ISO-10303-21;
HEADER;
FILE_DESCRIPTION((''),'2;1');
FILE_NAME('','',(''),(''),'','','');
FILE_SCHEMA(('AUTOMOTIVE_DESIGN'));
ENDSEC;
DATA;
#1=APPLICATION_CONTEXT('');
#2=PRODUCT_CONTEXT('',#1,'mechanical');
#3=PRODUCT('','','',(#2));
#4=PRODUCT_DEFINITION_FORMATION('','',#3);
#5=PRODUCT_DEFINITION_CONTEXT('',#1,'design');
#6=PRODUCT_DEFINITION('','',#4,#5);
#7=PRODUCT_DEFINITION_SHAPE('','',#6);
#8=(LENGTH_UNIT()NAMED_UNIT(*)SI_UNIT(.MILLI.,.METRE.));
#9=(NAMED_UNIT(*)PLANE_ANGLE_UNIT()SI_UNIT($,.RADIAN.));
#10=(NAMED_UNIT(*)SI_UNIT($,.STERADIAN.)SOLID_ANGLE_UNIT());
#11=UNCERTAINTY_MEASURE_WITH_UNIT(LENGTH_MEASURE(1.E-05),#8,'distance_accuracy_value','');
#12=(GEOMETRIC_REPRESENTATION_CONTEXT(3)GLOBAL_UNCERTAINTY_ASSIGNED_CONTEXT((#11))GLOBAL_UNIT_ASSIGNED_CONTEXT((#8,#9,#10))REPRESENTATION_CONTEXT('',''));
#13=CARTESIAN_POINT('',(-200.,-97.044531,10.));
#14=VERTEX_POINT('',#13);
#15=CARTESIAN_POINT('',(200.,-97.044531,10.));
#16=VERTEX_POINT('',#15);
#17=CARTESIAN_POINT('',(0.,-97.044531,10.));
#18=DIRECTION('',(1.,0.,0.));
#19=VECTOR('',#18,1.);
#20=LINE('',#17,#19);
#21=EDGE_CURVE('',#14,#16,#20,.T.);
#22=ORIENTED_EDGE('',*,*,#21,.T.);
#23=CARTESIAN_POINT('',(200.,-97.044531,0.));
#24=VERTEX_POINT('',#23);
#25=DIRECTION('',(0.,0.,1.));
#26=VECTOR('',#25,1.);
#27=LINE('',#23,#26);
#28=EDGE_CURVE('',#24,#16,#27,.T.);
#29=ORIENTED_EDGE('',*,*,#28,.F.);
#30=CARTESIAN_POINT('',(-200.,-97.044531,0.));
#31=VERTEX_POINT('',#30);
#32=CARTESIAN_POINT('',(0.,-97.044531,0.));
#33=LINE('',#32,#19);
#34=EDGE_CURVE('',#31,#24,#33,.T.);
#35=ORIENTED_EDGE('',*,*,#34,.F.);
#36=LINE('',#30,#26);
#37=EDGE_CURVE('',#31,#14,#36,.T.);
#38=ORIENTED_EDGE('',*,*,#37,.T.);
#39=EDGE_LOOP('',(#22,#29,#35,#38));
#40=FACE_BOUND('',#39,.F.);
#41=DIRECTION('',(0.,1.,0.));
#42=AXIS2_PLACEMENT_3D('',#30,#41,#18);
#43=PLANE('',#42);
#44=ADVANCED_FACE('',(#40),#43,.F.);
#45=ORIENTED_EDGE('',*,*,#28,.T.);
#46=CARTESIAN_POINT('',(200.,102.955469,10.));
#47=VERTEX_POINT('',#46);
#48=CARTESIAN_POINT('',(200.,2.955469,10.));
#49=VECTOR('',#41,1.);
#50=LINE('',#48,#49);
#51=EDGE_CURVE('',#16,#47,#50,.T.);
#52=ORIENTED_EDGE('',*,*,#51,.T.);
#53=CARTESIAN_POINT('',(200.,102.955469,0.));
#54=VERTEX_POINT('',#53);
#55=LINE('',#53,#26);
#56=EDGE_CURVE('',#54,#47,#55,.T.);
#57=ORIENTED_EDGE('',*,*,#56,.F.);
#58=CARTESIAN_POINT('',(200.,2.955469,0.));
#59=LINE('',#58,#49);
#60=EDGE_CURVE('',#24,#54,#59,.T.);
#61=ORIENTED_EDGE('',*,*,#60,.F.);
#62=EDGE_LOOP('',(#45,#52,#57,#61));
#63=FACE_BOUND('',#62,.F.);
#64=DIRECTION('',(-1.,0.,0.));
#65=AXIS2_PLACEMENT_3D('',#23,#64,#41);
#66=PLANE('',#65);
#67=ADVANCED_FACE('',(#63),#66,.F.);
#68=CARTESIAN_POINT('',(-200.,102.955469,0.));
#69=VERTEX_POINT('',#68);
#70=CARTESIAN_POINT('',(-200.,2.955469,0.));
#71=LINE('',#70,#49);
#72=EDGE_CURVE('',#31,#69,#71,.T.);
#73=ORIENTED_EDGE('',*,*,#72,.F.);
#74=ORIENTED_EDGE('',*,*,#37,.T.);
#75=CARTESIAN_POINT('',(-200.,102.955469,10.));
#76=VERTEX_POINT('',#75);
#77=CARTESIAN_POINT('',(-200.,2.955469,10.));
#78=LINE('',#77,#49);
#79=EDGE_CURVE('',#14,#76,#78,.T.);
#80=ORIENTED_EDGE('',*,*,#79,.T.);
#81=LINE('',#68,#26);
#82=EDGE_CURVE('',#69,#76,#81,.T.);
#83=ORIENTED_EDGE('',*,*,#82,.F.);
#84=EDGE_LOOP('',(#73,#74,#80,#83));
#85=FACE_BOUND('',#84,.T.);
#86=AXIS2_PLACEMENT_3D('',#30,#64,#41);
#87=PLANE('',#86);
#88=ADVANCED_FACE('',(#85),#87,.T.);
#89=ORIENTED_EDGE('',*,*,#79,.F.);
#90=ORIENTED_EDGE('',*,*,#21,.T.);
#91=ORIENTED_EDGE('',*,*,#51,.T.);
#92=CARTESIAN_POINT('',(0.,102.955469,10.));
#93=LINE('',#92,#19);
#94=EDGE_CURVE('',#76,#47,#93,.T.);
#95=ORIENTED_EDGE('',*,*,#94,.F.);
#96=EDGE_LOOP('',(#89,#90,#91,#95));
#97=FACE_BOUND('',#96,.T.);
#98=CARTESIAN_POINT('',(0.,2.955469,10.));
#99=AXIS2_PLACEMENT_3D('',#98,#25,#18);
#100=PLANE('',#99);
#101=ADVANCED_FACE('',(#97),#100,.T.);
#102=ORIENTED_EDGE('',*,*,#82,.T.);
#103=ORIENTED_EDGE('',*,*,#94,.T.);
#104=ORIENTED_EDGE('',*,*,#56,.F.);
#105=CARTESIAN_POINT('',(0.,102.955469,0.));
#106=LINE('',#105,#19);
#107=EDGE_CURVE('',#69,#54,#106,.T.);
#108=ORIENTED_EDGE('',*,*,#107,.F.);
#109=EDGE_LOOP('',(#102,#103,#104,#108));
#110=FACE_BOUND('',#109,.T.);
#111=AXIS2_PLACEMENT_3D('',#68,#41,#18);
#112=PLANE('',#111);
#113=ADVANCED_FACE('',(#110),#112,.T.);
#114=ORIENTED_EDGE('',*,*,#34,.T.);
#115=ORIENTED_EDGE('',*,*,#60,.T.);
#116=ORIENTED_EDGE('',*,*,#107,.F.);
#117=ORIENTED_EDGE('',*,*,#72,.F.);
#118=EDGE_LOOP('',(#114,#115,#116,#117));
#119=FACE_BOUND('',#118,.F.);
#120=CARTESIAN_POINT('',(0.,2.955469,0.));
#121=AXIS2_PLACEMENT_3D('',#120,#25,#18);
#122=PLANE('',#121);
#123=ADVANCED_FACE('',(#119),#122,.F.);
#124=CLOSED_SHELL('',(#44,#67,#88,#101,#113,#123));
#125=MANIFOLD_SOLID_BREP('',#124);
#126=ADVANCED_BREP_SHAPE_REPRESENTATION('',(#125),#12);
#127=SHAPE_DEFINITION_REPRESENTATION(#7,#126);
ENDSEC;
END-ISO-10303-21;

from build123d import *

# Parameters (mm, degrees)
F0_W     = 400
F0_H     = 200
F1_DEPTH = 10


with BuildPart() as f1:
    # F0 (on Top) → F1 (new body)
    with BuildSketch(Plane.XY):
        with Locations((0, 1338.235289)):
            Rectangle(F0_W, F0_H)
    extrude(amount=F1_DEPTH)


with BuildPart() as f1_1:
    # F2: moved
    add(f1.part.moved(Location((0, -1335.27982, 0))))


solid = f1_1.part
